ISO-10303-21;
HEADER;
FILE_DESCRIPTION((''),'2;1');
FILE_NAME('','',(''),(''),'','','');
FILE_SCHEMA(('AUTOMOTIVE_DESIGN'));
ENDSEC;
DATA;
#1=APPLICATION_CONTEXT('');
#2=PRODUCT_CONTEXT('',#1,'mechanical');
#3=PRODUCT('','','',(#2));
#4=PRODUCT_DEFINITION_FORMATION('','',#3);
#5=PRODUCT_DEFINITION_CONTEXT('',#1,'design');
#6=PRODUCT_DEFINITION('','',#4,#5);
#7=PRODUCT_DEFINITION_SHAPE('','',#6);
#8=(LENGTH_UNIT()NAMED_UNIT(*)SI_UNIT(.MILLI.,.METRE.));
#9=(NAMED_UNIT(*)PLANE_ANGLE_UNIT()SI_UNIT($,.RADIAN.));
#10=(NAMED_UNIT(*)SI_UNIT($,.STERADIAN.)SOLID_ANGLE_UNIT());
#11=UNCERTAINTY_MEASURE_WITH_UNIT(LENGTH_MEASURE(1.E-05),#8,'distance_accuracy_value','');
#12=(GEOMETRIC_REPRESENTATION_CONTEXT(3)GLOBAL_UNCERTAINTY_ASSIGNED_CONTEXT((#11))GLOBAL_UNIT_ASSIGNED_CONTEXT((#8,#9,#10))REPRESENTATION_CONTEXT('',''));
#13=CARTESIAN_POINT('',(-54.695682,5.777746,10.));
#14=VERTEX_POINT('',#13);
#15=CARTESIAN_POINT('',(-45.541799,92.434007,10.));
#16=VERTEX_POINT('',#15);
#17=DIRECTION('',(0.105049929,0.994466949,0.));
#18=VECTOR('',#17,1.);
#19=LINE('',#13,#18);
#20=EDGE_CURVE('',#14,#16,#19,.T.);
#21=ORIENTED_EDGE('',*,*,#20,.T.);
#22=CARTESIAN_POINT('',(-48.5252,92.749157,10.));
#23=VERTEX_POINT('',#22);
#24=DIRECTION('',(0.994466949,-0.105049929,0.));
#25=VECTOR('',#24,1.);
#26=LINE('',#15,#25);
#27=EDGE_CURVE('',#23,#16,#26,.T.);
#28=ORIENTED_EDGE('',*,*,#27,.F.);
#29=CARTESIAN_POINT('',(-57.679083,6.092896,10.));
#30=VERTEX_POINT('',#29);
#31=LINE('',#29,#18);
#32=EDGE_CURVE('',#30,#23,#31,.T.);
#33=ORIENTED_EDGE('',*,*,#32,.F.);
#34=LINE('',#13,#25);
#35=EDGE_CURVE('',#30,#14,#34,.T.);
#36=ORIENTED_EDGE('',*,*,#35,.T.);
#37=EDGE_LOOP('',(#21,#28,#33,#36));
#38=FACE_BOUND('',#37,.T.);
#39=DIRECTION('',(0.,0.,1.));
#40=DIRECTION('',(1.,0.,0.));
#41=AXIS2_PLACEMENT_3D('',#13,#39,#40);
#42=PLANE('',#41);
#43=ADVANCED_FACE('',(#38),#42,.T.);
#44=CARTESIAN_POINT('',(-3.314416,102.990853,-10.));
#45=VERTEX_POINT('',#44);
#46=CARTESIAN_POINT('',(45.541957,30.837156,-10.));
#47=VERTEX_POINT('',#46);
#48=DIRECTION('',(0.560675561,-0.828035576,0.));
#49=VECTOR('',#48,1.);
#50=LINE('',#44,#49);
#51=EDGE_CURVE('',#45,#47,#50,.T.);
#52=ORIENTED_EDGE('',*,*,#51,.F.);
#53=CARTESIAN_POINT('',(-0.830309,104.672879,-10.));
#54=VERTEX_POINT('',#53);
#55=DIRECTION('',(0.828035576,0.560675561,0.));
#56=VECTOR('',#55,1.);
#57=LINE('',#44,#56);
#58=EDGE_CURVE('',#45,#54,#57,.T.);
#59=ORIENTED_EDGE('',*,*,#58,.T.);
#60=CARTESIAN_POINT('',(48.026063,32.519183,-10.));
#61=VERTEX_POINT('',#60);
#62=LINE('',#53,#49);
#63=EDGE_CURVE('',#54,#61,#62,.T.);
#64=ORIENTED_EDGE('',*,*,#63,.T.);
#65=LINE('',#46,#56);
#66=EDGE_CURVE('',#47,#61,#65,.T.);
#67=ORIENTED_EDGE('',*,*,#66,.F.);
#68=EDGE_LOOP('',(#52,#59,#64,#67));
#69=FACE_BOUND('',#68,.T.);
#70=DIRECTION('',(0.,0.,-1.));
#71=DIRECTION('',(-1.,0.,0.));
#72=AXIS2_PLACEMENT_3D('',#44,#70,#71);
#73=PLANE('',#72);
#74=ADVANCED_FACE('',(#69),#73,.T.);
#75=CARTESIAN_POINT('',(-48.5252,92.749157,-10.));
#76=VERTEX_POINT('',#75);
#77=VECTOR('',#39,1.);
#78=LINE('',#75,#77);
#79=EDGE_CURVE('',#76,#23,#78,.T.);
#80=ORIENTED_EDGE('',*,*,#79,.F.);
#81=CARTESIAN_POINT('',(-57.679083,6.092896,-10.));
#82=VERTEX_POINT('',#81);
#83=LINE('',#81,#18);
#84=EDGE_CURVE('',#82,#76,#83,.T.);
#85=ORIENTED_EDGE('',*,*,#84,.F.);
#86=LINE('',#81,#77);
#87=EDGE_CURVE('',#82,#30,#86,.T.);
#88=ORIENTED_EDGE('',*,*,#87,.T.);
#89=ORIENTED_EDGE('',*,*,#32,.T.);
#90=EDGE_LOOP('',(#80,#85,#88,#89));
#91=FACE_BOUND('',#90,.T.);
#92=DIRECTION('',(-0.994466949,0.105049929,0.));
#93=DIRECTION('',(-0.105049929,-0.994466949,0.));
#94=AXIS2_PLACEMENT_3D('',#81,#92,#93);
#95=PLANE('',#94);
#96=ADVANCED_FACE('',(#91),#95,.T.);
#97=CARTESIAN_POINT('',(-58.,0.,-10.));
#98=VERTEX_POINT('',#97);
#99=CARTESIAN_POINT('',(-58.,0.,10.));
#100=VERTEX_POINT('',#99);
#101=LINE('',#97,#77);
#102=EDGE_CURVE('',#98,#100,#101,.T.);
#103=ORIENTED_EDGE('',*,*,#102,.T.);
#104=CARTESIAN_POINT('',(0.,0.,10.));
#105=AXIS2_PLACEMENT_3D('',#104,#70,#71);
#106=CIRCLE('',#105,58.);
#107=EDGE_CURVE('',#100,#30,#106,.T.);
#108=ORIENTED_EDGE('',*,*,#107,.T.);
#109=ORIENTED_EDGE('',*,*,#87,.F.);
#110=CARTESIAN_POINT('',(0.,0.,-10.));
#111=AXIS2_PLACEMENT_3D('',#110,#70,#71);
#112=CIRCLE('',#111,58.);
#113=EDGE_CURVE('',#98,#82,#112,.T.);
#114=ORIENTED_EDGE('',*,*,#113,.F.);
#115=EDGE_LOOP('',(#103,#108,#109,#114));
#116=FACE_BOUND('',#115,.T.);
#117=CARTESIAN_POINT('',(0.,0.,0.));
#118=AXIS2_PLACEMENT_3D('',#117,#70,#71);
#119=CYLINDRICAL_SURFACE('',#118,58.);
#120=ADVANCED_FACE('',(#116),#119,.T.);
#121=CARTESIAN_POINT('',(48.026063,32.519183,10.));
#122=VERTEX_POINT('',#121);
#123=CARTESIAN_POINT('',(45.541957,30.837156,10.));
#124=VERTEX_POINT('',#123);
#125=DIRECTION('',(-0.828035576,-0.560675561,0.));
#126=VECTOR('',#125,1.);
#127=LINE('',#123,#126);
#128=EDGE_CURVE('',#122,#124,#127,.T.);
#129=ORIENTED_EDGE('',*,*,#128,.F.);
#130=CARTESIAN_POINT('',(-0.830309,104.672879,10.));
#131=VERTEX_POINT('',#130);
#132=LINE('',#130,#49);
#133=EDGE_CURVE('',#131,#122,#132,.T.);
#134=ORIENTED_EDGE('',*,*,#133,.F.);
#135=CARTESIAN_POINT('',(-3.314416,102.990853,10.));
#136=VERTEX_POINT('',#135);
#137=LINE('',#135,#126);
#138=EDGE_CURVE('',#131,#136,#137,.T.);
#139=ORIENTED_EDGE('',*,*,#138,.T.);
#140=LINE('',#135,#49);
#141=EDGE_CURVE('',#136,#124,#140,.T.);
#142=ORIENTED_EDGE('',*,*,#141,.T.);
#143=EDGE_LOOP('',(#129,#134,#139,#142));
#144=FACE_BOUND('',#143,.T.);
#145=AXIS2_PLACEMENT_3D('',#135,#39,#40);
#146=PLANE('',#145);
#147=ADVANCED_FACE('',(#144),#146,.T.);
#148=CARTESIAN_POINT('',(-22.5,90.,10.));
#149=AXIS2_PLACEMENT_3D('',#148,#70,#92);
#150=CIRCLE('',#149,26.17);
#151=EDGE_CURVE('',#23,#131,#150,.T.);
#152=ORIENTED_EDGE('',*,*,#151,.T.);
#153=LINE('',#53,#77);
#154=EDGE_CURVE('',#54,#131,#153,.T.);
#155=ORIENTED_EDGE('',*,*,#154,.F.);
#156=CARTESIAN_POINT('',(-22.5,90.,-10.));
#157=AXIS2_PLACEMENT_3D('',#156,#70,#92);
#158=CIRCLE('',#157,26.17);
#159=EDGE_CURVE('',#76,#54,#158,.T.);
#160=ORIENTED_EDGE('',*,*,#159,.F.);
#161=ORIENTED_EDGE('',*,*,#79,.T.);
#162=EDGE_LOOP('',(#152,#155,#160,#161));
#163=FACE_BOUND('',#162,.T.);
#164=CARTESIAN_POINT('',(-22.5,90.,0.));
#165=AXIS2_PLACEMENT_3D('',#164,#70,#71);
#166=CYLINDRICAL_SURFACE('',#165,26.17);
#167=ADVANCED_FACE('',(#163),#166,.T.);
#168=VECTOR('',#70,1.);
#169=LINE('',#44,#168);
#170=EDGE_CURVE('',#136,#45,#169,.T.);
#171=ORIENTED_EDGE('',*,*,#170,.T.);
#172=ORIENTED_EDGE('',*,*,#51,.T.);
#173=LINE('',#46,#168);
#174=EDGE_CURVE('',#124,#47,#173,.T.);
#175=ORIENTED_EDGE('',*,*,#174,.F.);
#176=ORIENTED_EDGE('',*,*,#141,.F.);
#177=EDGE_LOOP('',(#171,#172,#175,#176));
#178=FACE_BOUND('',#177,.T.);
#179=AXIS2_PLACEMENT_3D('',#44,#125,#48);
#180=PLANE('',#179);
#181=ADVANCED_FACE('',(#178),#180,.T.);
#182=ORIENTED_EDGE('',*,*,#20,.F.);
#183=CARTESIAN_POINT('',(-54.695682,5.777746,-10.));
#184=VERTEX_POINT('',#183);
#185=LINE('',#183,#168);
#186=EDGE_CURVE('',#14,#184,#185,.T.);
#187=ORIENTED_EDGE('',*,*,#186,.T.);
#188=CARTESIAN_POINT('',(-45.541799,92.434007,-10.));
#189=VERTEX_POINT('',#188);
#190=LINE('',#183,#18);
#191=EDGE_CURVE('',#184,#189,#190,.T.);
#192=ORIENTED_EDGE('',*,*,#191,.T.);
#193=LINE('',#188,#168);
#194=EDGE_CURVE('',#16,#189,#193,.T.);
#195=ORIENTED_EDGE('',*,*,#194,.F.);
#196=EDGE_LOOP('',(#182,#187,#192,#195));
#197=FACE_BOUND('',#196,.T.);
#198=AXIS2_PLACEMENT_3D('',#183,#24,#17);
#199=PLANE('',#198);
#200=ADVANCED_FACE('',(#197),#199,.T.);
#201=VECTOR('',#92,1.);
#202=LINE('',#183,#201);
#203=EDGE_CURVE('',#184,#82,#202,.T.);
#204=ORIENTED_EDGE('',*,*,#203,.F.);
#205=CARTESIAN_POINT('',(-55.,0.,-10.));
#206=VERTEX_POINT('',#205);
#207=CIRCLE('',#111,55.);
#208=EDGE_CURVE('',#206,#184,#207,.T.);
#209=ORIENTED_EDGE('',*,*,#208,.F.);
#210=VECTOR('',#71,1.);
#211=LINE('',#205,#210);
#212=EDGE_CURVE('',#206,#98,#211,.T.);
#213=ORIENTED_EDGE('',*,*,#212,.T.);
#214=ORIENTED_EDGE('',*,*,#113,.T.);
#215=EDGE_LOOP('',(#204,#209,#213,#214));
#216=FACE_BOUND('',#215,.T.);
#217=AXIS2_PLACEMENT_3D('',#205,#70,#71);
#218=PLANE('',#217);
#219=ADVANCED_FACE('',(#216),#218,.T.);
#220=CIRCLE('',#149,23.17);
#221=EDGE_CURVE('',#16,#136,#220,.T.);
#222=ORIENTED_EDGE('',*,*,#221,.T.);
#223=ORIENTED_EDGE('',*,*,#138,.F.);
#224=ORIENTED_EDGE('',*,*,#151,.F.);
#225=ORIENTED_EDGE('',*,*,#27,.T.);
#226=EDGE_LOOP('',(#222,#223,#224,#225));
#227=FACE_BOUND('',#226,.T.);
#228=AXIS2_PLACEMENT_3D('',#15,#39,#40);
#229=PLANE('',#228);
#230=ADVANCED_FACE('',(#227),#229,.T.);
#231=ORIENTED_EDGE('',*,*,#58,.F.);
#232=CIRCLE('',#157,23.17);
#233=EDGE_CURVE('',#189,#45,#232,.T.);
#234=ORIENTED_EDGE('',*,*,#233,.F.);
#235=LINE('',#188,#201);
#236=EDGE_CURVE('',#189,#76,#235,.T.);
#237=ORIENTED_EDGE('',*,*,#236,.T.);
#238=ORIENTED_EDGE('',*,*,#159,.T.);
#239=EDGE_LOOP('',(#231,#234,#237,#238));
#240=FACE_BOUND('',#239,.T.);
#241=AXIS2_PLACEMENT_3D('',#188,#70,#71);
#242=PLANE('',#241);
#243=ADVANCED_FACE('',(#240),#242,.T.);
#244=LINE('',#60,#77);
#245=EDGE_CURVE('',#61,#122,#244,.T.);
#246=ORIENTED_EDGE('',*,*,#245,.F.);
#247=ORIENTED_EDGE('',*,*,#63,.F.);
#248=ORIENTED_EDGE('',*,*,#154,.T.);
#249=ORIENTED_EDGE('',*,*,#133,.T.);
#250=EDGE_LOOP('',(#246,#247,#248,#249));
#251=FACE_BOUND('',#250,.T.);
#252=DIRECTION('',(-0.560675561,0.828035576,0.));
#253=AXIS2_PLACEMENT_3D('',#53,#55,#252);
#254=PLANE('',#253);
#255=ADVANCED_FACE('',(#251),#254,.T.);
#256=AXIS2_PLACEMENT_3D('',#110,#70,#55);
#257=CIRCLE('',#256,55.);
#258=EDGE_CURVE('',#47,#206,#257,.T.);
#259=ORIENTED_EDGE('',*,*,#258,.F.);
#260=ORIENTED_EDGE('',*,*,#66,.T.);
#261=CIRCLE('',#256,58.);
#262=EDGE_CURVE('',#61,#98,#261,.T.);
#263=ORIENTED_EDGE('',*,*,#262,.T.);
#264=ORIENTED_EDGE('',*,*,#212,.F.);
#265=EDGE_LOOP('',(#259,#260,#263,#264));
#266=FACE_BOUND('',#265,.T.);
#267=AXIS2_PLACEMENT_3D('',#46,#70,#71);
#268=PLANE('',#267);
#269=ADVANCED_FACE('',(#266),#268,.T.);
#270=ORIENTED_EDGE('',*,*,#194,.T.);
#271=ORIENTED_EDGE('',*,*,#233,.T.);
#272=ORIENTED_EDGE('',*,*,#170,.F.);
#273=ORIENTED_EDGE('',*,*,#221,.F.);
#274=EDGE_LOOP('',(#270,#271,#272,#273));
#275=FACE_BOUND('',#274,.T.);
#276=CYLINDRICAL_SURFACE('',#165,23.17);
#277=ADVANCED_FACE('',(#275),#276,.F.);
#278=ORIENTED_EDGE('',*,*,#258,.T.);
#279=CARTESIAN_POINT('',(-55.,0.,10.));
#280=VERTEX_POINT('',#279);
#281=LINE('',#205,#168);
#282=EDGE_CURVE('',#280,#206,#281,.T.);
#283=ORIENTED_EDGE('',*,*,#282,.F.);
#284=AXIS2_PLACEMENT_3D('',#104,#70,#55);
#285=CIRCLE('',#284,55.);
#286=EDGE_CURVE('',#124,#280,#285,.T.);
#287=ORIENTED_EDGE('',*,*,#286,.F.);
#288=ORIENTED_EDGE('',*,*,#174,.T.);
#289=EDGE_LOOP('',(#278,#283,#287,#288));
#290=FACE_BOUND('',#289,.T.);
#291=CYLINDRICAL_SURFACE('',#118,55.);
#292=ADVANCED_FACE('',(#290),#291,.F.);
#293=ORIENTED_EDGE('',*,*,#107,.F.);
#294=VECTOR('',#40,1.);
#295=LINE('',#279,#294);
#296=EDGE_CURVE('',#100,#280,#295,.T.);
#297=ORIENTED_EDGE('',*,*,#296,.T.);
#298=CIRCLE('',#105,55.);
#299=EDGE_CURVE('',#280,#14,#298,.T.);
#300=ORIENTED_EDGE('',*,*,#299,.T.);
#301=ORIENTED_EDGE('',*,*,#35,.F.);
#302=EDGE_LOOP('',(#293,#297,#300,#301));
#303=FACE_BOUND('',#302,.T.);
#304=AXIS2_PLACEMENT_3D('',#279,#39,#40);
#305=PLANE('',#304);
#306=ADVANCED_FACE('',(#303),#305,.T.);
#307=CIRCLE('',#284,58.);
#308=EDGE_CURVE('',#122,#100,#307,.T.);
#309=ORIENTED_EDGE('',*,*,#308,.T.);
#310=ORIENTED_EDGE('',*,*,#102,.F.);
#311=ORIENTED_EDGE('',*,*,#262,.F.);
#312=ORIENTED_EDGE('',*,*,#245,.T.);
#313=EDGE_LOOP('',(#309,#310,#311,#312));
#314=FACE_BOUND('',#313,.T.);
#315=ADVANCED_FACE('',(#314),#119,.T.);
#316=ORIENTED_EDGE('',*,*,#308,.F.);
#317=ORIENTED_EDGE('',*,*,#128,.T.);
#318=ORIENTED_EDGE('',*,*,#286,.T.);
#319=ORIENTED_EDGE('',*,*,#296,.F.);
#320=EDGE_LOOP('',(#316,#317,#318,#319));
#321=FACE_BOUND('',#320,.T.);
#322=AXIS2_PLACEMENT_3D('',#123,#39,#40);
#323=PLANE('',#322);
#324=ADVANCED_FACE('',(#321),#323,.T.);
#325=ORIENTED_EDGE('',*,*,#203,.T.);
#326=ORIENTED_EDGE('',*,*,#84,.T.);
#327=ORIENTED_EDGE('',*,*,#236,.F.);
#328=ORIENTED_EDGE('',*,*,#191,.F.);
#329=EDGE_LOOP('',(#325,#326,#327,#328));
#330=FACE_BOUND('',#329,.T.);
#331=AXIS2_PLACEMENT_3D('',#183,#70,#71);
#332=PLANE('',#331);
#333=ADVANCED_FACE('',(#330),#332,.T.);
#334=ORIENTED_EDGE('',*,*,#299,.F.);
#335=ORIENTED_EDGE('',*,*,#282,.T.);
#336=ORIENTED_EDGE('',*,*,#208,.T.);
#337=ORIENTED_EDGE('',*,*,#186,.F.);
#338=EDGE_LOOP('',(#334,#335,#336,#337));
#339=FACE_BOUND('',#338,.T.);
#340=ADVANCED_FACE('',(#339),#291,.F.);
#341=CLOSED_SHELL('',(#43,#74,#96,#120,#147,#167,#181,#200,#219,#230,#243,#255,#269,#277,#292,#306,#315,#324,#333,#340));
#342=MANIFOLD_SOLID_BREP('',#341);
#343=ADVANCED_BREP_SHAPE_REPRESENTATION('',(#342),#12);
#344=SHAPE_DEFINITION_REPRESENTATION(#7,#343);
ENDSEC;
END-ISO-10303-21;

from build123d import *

# Parameters (mm, degrees)
SKETCH_3_W = 3
SKETCH_3_H = 20


with BuildPart() as part:
    # 扫描1: sweep along a path in 草图2
    with BuildLine(Plane.XY) as sweep_1_path:
        Line((-56.997873172, 6.020936707), (-47.843990191, 92.677197452))
        ThreePointArc((-47.843990191, 92.677197452), (-28.681020404, 114.724081616), (-1.397513338, 104.288816665))
        Line((-1.397513338, 104.288816665), (47.458859055, 32.135119764))
        ThreePointArc((47.458859055, 32.135119764), (13.900929349, -55.603717396), (-56.997873172, 6.020936707))
    # 草图3 → 扫描1 (sweep)
    with BuildSketch(Plane(origin=(0, 0, 0), x_dir=(1, 0, 0), z_dir=(0, 1, 0))):
        with Locations((-56.5, 0)):
            Rectangle(SKETCH_3_W, SKETCH_3_H)
    sweep(path=sweep_1_path.line)


solid = part.part
